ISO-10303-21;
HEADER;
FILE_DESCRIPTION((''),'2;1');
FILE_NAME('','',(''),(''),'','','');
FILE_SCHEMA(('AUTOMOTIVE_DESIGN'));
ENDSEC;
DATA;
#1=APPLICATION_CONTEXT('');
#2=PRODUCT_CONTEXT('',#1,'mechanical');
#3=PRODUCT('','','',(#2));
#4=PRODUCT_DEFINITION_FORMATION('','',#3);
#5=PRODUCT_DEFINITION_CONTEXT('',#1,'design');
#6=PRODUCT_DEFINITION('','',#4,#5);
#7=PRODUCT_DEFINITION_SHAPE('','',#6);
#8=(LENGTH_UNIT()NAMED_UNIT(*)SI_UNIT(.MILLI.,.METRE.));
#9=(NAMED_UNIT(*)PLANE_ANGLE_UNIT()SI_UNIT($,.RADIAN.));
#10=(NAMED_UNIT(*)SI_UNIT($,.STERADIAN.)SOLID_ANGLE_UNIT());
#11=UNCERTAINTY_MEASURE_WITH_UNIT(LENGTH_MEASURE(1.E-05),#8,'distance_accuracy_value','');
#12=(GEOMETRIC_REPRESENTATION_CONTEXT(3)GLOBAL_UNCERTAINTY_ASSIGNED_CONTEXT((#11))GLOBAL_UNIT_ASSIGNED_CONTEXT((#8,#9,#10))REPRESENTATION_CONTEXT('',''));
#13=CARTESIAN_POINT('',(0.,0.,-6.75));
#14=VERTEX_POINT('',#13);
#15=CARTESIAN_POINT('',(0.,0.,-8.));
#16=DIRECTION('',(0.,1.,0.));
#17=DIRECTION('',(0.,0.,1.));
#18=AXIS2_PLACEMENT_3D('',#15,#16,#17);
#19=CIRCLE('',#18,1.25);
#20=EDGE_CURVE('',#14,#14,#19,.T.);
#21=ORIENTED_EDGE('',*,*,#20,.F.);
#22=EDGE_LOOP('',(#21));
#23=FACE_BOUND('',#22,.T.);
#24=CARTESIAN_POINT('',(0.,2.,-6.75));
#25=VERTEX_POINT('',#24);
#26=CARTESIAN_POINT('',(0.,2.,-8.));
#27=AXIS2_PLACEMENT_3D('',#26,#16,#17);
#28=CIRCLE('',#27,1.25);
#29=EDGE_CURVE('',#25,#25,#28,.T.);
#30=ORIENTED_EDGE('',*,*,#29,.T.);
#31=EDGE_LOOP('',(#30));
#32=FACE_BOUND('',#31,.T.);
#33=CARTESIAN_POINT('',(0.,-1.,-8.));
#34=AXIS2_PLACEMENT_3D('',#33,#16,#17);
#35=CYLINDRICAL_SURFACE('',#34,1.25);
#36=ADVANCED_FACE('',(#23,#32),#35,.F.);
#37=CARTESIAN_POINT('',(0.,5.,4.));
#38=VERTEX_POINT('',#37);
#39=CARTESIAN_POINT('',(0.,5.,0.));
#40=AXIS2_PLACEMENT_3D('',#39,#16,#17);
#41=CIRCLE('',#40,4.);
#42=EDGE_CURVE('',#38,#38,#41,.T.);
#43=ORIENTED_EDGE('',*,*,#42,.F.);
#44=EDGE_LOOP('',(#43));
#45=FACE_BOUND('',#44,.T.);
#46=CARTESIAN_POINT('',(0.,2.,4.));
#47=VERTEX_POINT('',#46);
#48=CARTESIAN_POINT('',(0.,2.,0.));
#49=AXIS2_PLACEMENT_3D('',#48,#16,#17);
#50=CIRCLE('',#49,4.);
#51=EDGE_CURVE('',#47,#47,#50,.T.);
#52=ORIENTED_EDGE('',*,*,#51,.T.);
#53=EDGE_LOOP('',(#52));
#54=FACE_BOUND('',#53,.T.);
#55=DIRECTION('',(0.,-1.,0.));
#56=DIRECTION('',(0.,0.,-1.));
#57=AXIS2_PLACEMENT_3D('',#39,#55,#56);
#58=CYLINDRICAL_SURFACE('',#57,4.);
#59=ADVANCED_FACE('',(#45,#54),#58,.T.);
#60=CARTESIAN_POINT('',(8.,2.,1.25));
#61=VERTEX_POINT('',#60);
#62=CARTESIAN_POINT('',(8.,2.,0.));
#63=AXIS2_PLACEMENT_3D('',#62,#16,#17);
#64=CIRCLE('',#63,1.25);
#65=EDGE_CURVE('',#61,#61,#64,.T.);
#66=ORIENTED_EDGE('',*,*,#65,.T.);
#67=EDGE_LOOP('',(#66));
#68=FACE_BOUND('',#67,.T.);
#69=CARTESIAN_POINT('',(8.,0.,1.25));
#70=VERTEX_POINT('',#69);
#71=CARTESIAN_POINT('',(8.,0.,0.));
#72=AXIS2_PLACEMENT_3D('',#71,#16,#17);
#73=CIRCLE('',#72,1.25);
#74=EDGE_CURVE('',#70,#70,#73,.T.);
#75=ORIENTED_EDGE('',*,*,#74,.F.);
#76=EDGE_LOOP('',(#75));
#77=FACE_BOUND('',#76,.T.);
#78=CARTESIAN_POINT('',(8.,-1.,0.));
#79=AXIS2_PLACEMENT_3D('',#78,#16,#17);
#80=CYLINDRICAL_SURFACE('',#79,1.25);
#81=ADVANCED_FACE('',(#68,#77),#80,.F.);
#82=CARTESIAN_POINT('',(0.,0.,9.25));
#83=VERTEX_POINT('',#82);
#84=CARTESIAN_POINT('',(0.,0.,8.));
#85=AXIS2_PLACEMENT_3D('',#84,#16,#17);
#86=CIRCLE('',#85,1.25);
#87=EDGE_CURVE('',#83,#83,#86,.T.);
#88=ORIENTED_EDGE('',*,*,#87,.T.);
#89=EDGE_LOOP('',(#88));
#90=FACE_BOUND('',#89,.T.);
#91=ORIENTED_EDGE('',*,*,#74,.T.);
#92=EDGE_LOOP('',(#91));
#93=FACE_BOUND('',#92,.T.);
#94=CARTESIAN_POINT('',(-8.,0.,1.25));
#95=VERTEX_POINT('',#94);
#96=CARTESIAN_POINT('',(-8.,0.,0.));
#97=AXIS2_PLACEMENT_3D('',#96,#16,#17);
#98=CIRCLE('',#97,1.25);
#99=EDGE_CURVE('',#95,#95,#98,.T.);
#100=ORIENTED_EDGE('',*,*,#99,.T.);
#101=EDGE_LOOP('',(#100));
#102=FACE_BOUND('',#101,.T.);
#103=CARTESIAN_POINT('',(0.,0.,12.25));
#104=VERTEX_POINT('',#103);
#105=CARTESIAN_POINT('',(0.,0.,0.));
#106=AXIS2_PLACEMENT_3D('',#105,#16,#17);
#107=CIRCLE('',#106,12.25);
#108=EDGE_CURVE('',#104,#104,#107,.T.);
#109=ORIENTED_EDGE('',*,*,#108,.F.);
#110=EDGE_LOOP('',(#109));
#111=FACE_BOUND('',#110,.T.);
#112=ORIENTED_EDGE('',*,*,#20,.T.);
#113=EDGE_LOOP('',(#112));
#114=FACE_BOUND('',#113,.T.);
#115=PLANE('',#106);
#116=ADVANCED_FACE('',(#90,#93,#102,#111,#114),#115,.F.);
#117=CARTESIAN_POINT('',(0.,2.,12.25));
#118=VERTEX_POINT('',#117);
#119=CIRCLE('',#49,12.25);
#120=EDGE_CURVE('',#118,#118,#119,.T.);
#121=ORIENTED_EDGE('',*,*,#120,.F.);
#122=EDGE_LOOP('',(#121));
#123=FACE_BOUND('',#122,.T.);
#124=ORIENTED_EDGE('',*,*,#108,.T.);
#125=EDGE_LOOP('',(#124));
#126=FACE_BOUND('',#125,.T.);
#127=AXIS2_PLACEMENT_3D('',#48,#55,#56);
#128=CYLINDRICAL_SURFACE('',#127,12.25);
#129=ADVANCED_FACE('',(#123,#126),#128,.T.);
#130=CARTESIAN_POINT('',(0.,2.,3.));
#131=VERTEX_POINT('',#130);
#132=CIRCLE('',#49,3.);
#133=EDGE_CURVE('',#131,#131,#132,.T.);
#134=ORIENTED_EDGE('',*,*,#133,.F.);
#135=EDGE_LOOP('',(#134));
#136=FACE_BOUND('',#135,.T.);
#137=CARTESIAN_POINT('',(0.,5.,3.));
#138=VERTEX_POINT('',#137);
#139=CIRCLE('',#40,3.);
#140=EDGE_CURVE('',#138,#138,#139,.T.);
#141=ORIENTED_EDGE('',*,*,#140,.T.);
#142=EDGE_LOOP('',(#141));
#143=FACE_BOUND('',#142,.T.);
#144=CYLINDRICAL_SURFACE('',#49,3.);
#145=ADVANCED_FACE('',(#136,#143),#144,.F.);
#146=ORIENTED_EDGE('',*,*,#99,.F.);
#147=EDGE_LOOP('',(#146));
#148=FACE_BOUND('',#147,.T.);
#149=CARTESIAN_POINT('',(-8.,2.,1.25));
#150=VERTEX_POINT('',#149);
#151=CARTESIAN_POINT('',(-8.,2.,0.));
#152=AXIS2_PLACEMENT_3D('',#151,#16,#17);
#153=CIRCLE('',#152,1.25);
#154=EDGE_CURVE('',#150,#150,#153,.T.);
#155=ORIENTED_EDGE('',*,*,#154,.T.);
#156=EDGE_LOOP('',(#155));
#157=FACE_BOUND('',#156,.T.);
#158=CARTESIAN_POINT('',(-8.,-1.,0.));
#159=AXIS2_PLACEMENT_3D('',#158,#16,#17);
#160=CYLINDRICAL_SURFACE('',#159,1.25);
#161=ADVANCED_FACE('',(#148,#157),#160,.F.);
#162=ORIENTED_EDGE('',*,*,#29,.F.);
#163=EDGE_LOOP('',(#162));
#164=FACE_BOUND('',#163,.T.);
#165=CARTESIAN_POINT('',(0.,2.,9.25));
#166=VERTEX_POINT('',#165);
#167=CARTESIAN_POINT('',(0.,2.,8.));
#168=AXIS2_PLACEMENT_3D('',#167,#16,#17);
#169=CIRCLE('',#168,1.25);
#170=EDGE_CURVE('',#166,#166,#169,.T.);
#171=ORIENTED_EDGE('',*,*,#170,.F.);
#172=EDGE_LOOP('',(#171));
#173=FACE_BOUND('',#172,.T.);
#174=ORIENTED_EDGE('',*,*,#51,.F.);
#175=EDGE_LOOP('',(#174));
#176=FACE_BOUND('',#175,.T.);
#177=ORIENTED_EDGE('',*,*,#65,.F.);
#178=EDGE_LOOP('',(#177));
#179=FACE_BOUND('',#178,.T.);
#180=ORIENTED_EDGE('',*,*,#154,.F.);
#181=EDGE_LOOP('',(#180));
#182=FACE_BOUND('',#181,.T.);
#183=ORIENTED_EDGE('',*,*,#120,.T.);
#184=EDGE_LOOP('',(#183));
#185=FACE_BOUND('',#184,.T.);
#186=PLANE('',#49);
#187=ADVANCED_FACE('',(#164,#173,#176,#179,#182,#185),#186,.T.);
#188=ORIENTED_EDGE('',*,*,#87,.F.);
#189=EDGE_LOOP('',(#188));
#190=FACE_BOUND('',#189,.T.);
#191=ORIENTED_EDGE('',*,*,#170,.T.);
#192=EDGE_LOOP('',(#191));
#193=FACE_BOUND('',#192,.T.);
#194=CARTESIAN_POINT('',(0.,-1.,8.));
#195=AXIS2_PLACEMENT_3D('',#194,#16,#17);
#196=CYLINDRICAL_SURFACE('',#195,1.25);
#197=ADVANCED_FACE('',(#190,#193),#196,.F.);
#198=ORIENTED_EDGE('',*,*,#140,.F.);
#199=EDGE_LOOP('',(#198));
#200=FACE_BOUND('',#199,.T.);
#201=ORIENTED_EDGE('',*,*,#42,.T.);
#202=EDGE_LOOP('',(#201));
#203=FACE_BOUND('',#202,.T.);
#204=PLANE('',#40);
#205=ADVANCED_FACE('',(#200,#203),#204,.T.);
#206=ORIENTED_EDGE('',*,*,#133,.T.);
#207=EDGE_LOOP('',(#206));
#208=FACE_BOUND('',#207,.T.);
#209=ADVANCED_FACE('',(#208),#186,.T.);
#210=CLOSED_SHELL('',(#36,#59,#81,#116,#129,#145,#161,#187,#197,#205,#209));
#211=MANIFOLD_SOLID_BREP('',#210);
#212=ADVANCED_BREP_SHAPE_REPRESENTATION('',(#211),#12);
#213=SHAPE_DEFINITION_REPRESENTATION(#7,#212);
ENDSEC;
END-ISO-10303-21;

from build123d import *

# Parameters (mm, degrees)
SKETCH_1_R          = 12.25
EXTRUDE_1_DEPTH     = 2
SKETCH_2_R          = 4
EXTRUDE_2_DEPTH     = 3
SKETCH_3_R          = 1.25
CUT_EXTRUDE_1_DEPTH = 3
SKETCH_4_R          = 3
CUT_EXTRUDE_2_DEPTH = 3


with BuildPart() as part:
    # 草图1 → 凸台-拉伸1 (new body)
    with BuildSketch(Plane(origin=(0, 0, 0), x_dir=(1, 0, 0), z_dir=(0, 1, 0))):
        with Locations(Location((0, 0, 0), (0, 0, 270))):
            Circle(SKETCH_1_R)
    extrude(amount=EXTRUDE_1_DEPTH)

    # 草图2 → 凸台-拉伸2 (add)
    with BuildSketch(Plane(origin=(0, 2, 0), x_dir=(1, 0, 0), z_dir=(0, 1, 0))):
        with Locations(Location((0, 0, 0), (0, 0, 270))):
            Circle(SKETCH_2_R)
    extrude(amount=EXTRUDE_2_DEPTH)

    # 草图3 → 切除-拉伸1 (cut)
    with BuildSketch(Plane(origin=(0, 2, 0), x_dir=(1, 0, 0), z_dir=(0, 1, 0))):
        with Locations(Location((-8, 0, 0), (0, 0, 270))):
            Circle(SKETCH_3_R)
        with Locations(Location((0, 8, 0), (0, 0, 270))):
            Circle(SKETCH_3_R)
        with Locations(Location((8, 0, 0), (0, 0, 270))):
            Circle(SKETCH_3_R)
        with Locations(Location((0, -8, 0), (0, 0, 270))):
            Circle(SKETCH_3_R)
    extrude(amount=-CUT_EXTRUDE_1_DEPTH, mode=Mode.SUBTRACT)

    # 草图4 → 切除-拉伸2 (cut)
    with BuildSketch(Plane(origin=(0, 5, 0), x_dir=(1, 0, 0), z_dir=(0, 1, 0))):
        with Locations(Location((0, 0, 0), (0, 0, 270))):
            Circle(SKETCH_4_R)
    extrude(amount=-CUT_EXTRUDE_2_DEPTH, mode=Mode.SUBTRACT)


solid = part.part
